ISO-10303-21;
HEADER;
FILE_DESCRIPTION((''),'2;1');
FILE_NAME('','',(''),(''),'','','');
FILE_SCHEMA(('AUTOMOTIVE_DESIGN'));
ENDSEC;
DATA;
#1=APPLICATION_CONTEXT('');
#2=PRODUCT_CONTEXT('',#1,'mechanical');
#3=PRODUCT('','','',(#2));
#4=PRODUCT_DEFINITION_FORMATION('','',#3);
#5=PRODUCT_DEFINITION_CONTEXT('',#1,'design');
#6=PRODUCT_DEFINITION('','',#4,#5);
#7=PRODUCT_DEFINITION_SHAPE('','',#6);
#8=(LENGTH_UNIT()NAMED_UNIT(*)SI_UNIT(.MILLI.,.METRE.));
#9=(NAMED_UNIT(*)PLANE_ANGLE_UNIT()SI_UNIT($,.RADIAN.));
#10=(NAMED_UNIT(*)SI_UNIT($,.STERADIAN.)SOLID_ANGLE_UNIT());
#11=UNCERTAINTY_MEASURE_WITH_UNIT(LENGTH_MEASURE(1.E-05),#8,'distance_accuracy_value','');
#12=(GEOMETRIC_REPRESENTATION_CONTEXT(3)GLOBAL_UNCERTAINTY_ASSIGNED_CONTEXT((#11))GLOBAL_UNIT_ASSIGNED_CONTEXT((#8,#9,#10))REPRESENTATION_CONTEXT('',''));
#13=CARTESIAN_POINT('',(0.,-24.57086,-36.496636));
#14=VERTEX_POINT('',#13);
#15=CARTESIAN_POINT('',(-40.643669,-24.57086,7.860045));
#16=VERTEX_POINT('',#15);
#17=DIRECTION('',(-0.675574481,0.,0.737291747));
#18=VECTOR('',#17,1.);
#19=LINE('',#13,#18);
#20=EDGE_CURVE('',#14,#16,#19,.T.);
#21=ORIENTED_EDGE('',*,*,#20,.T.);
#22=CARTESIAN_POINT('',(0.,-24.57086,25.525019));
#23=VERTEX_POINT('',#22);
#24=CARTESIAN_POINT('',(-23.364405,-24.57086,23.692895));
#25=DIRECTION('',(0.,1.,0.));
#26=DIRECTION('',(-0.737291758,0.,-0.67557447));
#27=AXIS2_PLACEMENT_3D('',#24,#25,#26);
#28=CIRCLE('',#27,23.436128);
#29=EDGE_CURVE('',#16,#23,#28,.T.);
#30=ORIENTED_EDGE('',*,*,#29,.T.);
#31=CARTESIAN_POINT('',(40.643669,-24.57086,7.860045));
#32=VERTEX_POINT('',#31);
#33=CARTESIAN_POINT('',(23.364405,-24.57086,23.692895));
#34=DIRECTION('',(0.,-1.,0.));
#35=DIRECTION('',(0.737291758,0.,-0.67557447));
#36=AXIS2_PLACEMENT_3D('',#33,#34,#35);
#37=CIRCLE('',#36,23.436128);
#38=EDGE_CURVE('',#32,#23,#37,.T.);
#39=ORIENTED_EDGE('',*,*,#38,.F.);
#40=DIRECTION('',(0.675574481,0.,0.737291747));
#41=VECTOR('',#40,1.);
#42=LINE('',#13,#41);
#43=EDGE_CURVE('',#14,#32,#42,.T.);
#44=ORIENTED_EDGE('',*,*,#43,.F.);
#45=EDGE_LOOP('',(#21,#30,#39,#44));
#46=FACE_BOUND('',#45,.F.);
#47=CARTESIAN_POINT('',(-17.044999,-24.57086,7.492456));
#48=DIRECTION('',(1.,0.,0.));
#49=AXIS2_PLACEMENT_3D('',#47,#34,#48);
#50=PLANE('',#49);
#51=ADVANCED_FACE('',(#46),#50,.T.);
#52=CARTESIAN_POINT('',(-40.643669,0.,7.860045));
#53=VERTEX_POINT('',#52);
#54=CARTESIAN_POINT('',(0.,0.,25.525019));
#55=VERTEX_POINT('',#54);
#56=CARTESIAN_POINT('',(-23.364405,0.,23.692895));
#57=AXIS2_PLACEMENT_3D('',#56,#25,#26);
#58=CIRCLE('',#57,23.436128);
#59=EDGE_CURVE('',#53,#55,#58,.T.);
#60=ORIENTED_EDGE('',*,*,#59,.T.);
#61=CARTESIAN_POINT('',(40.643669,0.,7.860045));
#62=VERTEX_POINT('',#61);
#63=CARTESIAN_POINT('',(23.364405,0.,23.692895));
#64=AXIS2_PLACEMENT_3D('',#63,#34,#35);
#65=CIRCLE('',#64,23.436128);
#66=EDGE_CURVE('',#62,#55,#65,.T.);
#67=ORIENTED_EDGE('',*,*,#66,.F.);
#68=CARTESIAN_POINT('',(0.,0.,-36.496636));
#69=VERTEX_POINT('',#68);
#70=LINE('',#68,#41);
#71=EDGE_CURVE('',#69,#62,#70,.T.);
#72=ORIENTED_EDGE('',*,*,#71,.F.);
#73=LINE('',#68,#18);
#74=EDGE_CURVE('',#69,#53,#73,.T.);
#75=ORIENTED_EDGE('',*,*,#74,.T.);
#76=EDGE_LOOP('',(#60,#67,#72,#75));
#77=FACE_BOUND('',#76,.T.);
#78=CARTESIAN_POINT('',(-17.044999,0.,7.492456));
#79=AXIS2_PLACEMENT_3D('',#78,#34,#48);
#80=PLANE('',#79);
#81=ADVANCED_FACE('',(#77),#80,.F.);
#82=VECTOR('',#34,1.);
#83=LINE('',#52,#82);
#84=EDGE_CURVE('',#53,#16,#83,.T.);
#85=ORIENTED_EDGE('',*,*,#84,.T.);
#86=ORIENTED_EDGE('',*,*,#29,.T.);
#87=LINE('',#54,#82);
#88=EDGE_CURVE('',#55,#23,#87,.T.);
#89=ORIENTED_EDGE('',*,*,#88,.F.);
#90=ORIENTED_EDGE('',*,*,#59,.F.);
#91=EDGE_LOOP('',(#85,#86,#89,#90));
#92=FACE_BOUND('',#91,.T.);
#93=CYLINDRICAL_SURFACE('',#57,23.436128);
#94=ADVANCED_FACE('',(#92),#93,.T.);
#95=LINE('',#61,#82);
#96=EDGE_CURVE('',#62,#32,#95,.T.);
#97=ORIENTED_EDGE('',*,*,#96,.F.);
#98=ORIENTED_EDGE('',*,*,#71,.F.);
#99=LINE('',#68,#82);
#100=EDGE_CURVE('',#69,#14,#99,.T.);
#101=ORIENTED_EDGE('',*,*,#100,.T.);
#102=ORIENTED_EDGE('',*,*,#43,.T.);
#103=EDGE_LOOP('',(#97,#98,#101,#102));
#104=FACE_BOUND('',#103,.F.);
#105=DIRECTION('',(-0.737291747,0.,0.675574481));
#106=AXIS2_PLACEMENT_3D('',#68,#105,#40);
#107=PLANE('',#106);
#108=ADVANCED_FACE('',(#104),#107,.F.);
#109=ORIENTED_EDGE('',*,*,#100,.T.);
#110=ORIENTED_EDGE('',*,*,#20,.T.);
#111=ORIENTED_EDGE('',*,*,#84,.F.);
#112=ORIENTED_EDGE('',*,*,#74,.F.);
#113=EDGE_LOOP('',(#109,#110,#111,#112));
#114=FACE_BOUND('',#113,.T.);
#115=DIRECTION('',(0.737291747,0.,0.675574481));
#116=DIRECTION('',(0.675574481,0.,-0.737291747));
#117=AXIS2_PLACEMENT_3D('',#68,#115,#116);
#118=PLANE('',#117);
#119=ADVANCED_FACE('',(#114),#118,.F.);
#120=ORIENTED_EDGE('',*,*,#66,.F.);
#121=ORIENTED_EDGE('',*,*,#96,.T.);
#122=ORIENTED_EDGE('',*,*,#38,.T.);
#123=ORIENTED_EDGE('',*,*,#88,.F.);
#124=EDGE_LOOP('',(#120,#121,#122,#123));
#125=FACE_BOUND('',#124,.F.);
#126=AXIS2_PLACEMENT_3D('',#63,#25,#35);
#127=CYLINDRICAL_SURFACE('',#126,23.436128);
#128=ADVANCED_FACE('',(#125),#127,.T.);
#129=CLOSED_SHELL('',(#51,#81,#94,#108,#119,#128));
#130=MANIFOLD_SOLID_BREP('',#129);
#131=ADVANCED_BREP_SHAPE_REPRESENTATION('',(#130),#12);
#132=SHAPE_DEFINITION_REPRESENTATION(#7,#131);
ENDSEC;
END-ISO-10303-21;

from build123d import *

# Parameters (mm, degrees)
F1_DEPTH = 24.57086


with BuildPart() as f1:
    # F0 (on Front) → F1 (new body)
    with BuildSketch(Plane.XZ):
        with BuildLine():
            Line((0, -36.496636), (40.643669, 7.860045))
            ThreePointArc((40.643669, 7.860045), (32.70625, 45.186662), (0, 25.525019))
            Line((0, 25.525019), (0, 21.860771))
            Line((0, 21.860771), (0, -36.496636))
        make_face()
    extrude(amount=F1_DEPTH)

    # F2: F1 across plane


with BuildPart() as f1_1:
    add(f1.part)
    add(f1.part.mirror(Plane.YZ))


solid = f1_1.part
